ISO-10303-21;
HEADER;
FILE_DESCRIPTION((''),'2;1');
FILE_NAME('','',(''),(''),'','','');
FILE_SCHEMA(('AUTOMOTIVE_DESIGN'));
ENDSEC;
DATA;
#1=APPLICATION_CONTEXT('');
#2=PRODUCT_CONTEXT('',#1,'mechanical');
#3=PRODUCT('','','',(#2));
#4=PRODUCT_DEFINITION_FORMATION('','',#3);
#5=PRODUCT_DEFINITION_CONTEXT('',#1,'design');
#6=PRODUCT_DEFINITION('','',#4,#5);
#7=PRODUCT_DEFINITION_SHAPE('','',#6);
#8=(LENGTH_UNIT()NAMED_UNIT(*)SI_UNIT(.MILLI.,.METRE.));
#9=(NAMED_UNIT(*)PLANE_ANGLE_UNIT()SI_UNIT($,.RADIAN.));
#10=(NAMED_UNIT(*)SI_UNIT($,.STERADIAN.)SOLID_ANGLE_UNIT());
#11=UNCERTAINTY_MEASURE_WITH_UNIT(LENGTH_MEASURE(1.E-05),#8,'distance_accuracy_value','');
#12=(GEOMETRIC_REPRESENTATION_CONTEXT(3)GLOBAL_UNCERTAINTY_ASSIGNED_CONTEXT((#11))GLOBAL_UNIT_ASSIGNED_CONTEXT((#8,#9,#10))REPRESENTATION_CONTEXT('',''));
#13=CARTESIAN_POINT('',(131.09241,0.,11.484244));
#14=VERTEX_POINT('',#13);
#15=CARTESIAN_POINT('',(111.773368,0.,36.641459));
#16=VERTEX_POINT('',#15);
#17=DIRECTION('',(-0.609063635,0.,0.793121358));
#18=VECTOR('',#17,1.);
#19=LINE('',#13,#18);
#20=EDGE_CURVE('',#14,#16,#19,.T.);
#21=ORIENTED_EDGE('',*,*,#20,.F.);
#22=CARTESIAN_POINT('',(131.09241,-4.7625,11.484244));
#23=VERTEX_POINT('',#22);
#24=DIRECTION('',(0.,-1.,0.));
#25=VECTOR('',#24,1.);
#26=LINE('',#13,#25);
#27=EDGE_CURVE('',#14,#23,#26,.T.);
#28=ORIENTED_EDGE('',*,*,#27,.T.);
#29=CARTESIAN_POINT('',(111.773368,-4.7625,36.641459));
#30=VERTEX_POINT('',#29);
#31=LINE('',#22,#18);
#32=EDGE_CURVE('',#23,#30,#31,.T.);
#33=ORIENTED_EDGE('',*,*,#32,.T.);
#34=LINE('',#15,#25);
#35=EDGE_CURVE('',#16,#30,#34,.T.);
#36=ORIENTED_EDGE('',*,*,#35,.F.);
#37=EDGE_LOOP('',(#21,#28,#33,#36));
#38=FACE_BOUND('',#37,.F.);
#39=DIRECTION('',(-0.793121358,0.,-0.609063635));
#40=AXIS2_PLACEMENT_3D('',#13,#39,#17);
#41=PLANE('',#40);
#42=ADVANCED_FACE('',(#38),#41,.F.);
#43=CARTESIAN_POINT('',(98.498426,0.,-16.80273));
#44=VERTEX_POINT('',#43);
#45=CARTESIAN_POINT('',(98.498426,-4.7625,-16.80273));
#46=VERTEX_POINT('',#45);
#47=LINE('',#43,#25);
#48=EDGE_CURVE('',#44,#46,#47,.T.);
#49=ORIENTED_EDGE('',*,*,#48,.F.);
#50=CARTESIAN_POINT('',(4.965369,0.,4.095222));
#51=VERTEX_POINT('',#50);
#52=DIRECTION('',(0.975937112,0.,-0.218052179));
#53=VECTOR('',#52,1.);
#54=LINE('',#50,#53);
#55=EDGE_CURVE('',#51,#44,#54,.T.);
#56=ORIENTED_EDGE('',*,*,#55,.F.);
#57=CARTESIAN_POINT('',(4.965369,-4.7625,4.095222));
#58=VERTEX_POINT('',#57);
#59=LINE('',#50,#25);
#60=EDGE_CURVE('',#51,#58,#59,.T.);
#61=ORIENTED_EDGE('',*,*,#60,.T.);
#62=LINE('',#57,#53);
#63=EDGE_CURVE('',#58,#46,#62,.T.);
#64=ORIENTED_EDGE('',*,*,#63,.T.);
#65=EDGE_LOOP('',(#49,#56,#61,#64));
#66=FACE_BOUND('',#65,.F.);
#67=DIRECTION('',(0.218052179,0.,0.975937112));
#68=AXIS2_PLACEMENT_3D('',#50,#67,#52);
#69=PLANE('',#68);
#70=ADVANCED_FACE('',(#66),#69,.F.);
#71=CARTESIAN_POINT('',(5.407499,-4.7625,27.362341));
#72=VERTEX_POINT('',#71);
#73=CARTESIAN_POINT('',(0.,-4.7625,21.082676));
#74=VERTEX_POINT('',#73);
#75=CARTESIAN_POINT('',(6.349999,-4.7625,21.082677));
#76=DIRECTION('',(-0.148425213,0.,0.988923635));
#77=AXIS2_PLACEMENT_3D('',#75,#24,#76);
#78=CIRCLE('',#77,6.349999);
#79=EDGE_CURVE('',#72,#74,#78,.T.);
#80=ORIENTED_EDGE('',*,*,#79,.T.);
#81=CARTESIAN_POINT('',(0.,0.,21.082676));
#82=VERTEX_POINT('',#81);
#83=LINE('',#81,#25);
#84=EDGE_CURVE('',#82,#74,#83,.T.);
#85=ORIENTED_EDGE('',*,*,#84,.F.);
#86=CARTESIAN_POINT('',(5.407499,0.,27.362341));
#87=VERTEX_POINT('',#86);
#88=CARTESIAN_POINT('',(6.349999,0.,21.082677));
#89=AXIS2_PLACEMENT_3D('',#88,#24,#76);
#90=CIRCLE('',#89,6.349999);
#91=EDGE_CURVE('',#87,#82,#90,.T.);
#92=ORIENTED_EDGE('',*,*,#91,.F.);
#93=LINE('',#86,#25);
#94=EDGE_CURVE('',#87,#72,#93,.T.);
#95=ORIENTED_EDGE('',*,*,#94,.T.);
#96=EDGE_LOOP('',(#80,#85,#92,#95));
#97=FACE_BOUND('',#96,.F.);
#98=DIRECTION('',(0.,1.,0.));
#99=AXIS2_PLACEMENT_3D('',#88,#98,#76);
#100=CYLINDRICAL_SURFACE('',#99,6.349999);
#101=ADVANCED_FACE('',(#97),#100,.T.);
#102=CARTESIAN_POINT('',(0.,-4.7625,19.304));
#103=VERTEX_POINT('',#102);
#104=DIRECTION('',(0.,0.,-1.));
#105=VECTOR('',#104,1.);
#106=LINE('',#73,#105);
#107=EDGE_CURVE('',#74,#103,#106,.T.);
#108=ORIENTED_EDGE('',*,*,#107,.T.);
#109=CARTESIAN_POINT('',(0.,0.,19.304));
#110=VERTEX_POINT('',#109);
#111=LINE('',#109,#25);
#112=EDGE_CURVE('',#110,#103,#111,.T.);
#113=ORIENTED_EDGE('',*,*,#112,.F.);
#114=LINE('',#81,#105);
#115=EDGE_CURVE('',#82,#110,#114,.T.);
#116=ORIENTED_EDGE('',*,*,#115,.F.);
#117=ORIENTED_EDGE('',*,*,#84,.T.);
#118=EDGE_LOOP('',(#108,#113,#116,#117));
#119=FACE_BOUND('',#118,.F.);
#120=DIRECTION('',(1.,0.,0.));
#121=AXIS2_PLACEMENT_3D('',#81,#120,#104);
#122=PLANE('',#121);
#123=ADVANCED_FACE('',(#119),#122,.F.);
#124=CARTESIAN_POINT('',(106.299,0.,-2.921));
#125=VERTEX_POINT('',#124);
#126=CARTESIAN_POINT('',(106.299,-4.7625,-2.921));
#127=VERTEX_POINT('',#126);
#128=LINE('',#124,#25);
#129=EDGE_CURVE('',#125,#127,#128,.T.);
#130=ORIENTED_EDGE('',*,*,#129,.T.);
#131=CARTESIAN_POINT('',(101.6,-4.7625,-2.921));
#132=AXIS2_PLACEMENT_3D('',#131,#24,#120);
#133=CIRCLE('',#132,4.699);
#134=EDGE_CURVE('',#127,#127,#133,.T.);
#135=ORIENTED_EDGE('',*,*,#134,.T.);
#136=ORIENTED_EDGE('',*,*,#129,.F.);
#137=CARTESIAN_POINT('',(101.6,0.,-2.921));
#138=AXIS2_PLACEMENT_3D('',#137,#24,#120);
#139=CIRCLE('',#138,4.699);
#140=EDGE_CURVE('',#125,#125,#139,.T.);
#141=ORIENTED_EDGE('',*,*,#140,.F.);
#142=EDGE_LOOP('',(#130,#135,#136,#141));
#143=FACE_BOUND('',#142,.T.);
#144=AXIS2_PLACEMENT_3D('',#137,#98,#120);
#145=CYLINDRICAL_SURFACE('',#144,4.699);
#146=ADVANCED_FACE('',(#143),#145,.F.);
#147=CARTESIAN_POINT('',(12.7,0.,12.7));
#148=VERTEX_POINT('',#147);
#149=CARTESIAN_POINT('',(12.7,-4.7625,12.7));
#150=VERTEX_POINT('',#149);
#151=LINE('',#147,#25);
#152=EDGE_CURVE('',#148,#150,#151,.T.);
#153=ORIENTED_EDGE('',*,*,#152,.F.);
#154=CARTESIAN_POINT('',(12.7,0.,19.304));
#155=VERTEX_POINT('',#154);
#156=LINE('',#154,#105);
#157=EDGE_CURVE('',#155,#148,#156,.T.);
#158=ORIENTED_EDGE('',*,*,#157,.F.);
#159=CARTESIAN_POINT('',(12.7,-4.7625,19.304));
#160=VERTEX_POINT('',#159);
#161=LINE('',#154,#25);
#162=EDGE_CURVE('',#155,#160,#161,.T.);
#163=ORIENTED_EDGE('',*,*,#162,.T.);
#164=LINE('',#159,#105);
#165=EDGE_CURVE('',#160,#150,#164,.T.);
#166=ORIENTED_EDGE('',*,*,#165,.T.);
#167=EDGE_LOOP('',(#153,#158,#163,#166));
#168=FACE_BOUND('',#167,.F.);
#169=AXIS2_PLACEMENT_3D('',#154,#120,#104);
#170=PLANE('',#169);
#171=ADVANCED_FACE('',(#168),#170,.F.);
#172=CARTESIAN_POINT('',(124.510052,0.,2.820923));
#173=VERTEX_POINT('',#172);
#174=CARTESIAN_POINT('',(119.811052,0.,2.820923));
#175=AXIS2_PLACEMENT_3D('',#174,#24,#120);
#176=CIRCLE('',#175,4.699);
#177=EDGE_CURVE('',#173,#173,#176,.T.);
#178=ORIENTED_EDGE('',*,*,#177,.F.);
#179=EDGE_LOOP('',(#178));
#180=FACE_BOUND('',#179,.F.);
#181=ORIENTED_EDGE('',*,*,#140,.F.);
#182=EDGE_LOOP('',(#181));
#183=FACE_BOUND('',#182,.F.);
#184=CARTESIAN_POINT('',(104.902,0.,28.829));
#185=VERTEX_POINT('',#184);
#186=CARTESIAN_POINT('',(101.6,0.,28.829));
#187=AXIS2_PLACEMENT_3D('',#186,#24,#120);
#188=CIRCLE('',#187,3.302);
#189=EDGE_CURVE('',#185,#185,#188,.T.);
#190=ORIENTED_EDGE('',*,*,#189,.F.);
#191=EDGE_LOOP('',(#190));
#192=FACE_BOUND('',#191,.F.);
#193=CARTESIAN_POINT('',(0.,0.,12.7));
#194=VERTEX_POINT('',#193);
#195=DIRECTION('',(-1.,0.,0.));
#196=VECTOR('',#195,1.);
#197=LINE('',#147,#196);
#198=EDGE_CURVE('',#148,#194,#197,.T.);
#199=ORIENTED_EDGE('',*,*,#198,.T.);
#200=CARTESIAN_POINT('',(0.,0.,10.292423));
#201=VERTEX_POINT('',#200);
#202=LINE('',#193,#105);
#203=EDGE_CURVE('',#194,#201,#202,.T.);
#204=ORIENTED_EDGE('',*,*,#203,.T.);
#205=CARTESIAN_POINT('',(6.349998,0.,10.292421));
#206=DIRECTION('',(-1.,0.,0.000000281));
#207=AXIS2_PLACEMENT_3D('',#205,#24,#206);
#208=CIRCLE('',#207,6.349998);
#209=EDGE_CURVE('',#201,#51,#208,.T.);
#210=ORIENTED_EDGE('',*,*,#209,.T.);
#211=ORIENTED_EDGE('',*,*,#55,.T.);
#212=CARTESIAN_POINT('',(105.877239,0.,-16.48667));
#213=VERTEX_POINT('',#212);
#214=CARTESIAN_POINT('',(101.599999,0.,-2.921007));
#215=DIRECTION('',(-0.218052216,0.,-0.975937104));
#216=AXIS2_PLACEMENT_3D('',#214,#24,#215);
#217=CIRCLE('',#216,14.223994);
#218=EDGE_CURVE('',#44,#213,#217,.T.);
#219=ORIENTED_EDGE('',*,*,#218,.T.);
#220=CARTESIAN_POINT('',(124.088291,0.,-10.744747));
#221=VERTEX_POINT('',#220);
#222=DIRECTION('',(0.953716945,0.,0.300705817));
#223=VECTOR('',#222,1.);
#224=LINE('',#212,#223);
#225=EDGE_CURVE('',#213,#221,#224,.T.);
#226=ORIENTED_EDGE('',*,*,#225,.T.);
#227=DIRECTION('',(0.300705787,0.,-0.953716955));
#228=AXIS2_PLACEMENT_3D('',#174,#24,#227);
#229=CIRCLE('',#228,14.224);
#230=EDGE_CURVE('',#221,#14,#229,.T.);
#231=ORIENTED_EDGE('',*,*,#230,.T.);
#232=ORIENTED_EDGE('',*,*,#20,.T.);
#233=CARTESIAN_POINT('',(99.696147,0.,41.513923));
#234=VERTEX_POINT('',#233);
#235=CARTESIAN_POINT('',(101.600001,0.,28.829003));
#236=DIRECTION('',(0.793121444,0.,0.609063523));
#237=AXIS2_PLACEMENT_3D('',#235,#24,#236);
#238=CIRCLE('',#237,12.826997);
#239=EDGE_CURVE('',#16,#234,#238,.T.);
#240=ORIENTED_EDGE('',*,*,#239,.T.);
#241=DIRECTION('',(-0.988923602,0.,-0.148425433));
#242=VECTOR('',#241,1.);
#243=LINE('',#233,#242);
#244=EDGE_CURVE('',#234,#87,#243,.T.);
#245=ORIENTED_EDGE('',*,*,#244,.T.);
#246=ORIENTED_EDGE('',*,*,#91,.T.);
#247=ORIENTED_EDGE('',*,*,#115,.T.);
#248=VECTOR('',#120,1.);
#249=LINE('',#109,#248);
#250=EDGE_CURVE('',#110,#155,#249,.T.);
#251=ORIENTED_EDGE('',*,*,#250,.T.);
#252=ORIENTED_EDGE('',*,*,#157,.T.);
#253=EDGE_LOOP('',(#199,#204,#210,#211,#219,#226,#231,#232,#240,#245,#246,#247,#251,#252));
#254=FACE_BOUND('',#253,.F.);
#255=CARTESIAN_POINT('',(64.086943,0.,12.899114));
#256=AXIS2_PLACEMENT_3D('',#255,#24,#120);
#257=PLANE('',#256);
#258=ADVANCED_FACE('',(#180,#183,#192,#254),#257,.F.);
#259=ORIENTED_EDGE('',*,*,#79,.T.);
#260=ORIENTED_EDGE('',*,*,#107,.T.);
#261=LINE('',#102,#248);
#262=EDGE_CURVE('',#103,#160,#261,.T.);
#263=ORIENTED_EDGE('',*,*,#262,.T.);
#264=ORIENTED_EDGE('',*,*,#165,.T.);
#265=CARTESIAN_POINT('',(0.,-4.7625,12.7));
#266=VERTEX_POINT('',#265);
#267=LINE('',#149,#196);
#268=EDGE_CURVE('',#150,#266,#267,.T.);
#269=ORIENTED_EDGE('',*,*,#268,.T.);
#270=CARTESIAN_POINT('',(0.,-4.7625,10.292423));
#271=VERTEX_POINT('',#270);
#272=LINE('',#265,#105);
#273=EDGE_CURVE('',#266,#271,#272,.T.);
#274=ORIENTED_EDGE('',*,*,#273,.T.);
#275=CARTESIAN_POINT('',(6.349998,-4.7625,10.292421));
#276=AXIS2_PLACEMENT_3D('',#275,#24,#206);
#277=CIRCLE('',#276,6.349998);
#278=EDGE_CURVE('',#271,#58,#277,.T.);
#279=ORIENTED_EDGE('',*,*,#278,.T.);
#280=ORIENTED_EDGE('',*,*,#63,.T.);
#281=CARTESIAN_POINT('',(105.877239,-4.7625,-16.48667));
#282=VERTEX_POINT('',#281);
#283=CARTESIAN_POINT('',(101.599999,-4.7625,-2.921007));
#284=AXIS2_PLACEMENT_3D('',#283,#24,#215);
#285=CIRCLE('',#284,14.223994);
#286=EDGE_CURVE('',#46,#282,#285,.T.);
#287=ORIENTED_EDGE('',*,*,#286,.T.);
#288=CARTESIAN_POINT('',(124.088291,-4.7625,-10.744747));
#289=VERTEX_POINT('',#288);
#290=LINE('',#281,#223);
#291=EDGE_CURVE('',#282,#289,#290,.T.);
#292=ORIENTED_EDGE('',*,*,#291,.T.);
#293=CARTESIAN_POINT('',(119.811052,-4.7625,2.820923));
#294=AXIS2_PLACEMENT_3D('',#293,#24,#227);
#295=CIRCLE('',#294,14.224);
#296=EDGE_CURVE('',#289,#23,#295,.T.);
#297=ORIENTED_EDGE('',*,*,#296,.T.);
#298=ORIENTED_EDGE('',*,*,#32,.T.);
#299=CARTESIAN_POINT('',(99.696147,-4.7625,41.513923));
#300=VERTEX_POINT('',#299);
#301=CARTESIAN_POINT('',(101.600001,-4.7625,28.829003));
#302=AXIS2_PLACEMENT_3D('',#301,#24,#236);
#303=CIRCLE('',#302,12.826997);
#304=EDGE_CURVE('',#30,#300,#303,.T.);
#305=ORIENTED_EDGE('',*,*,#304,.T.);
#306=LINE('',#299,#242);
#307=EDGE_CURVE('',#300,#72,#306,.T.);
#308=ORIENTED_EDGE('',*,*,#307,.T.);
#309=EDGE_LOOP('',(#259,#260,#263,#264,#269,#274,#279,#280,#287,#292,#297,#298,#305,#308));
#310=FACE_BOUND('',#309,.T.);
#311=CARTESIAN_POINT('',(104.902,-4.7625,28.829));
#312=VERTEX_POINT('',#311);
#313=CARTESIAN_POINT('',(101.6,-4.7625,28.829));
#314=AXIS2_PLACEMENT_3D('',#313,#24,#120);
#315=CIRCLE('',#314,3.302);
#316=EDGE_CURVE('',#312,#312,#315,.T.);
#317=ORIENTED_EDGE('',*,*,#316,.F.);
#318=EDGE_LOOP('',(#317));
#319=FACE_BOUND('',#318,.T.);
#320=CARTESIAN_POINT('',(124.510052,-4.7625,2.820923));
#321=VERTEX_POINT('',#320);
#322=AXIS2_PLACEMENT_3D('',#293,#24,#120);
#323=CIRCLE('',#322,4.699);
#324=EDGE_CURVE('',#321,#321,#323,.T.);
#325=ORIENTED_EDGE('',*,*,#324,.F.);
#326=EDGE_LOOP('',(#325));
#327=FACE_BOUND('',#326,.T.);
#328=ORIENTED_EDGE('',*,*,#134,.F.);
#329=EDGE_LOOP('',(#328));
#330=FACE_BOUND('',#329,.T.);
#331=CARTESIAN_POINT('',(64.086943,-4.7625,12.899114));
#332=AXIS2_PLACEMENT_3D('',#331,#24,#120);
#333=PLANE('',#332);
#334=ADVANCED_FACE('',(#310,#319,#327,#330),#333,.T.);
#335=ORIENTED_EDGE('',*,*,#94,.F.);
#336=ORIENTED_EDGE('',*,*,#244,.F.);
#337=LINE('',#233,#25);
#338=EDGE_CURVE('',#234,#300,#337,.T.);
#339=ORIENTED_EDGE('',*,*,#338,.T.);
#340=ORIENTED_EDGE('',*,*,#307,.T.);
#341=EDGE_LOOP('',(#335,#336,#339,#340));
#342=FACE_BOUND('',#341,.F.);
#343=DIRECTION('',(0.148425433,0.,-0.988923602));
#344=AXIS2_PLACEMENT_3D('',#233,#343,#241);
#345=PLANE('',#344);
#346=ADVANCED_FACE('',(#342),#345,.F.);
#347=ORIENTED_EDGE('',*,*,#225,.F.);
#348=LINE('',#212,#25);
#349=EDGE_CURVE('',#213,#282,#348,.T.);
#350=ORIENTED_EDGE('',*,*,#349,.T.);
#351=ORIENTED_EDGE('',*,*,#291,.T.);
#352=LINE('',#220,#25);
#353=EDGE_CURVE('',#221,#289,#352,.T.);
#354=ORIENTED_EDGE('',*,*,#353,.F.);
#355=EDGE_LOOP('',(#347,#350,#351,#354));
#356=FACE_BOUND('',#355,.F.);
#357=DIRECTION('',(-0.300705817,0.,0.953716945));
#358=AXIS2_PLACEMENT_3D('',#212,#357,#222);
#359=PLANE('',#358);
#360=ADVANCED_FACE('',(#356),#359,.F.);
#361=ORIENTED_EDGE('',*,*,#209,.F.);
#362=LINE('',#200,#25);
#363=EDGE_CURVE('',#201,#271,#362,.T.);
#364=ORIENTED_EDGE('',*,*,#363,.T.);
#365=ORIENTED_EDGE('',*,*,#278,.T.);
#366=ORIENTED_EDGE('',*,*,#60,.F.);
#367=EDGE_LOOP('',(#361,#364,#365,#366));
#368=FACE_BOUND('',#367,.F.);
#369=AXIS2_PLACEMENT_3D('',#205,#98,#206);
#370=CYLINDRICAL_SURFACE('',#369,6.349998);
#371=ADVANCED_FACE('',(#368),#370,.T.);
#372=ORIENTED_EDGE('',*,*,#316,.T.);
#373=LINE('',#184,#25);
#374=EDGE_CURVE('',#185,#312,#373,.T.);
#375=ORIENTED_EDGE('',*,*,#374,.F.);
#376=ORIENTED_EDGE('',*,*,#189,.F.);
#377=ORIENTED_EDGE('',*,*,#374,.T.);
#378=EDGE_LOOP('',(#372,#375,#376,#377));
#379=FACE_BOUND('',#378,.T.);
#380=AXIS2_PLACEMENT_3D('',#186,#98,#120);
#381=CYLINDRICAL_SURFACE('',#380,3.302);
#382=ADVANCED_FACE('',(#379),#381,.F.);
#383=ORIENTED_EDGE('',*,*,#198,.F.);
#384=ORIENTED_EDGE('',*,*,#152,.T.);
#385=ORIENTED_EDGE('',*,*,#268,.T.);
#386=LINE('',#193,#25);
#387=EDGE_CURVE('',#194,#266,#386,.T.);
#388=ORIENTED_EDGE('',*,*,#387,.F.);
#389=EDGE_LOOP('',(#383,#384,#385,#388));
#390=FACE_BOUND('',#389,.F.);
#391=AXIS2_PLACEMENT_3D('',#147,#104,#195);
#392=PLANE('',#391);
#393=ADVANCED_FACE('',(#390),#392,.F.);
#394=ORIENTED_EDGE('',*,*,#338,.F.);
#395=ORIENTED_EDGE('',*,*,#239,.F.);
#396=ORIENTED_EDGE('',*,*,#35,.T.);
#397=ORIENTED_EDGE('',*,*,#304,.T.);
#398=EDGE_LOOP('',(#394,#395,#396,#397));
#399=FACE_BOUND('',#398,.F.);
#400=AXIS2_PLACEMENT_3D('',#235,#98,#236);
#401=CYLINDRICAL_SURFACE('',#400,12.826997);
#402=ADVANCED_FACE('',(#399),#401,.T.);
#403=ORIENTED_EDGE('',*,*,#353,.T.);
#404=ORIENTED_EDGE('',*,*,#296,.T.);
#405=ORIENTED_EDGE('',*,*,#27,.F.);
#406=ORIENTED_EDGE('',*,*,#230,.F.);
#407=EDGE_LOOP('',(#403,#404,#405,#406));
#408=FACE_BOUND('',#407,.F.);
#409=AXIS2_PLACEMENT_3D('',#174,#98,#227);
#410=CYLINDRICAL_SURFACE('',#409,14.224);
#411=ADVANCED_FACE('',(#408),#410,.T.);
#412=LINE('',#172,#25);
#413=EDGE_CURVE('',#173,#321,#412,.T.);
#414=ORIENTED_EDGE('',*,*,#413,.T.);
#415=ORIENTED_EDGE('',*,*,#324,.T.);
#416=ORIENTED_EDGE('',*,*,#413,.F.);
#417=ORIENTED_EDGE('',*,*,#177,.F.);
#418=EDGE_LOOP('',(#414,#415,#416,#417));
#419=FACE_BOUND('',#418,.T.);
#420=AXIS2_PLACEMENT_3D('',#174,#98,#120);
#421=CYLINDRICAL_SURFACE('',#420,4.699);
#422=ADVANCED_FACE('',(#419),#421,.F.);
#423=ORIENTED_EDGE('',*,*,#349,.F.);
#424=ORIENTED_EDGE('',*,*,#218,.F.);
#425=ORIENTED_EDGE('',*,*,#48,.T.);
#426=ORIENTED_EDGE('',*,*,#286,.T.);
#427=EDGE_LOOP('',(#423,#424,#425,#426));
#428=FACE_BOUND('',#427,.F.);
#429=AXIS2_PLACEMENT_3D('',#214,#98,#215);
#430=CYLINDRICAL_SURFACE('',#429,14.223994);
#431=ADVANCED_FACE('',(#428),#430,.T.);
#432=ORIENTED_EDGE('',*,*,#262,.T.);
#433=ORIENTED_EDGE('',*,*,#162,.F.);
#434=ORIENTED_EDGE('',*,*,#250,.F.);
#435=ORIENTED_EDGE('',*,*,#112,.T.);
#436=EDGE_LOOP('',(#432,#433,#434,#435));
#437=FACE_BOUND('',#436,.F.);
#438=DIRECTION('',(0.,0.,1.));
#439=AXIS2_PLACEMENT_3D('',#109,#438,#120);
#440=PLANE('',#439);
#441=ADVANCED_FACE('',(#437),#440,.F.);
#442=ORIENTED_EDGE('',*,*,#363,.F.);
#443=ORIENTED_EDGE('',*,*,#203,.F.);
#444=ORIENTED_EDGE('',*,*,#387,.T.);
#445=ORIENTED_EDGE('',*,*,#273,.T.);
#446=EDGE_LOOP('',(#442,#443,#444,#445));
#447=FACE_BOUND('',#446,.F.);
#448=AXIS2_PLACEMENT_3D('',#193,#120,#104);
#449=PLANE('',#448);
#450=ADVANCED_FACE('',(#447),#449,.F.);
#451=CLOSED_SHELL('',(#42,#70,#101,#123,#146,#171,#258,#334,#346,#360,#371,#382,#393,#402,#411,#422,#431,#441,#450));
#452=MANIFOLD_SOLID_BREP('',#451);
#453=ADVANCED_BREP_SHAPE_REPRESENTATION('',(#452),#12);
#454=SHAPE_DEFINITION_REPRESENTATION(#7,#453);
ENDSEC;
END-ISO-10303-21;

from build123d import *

# Parameters (mm, degrees)
F0_R     = 4.699
F0_R_2   = 3.302
F1_DEPTH = 4.7625


with BuildPart() as f1:
    # F0 (on Front) → F1 (new body)
    with BuildSketch(Plane.XZ):
        with BuildLine():
            Line((0, 12.7), (0, 10.292423))
            ThreePointArc((0, 10.292423), (1.394452, 6.3219), (4.965369, 4.095222))
            Line((4.965369, 4.095222), (98.498426, -16.80273))
            ThreePointArc((98.498426, -16.80273), (102.208704, -17.13197), (105.877239, -16.48667))
            Line((105.877239, -16.48667), (124.088291, -10.744747))
            ThreePointArc((124.088291, -10.744747), (133.377536, -1.453733), (131.09241, 11.484244))
            Line((131.09241, 11.484244), (111.773368, 36.641459))
            ThreePointArc((111.773368, 36.641459), (106.399109, 40.724398), (99.696147, 41.513923))
            Line((99.696147, 41.513923), (5.407499, 27.362341))
            ThreePointArc((5.407499, 27.362341), (1.538172, 25.226203), (0, 21.082676))
            Line((0, 21.082676), (0, 19.304))
            Line((0, 19.304), (12.7, 19.304))
            Line((12.7, 19.304), (12.7, 12.7))
            Line((12.7, 12.7), (0, 12.7))
        make_face()
        with Locations((101.6, -2.921)):
            Circle(F0_R, mode=Mode.SUBTRACT)
        with Locations((119.811052, 2.820923)):
            Circle(F0_R, mode=Mode.SUBTRACT)
        with Locations((101.6, 28.829)):
            Circle(F0_R_2, mode=Mode.SUBTRACT)
    extrude(amount=F1_DEPTH)


solid = f1.part
